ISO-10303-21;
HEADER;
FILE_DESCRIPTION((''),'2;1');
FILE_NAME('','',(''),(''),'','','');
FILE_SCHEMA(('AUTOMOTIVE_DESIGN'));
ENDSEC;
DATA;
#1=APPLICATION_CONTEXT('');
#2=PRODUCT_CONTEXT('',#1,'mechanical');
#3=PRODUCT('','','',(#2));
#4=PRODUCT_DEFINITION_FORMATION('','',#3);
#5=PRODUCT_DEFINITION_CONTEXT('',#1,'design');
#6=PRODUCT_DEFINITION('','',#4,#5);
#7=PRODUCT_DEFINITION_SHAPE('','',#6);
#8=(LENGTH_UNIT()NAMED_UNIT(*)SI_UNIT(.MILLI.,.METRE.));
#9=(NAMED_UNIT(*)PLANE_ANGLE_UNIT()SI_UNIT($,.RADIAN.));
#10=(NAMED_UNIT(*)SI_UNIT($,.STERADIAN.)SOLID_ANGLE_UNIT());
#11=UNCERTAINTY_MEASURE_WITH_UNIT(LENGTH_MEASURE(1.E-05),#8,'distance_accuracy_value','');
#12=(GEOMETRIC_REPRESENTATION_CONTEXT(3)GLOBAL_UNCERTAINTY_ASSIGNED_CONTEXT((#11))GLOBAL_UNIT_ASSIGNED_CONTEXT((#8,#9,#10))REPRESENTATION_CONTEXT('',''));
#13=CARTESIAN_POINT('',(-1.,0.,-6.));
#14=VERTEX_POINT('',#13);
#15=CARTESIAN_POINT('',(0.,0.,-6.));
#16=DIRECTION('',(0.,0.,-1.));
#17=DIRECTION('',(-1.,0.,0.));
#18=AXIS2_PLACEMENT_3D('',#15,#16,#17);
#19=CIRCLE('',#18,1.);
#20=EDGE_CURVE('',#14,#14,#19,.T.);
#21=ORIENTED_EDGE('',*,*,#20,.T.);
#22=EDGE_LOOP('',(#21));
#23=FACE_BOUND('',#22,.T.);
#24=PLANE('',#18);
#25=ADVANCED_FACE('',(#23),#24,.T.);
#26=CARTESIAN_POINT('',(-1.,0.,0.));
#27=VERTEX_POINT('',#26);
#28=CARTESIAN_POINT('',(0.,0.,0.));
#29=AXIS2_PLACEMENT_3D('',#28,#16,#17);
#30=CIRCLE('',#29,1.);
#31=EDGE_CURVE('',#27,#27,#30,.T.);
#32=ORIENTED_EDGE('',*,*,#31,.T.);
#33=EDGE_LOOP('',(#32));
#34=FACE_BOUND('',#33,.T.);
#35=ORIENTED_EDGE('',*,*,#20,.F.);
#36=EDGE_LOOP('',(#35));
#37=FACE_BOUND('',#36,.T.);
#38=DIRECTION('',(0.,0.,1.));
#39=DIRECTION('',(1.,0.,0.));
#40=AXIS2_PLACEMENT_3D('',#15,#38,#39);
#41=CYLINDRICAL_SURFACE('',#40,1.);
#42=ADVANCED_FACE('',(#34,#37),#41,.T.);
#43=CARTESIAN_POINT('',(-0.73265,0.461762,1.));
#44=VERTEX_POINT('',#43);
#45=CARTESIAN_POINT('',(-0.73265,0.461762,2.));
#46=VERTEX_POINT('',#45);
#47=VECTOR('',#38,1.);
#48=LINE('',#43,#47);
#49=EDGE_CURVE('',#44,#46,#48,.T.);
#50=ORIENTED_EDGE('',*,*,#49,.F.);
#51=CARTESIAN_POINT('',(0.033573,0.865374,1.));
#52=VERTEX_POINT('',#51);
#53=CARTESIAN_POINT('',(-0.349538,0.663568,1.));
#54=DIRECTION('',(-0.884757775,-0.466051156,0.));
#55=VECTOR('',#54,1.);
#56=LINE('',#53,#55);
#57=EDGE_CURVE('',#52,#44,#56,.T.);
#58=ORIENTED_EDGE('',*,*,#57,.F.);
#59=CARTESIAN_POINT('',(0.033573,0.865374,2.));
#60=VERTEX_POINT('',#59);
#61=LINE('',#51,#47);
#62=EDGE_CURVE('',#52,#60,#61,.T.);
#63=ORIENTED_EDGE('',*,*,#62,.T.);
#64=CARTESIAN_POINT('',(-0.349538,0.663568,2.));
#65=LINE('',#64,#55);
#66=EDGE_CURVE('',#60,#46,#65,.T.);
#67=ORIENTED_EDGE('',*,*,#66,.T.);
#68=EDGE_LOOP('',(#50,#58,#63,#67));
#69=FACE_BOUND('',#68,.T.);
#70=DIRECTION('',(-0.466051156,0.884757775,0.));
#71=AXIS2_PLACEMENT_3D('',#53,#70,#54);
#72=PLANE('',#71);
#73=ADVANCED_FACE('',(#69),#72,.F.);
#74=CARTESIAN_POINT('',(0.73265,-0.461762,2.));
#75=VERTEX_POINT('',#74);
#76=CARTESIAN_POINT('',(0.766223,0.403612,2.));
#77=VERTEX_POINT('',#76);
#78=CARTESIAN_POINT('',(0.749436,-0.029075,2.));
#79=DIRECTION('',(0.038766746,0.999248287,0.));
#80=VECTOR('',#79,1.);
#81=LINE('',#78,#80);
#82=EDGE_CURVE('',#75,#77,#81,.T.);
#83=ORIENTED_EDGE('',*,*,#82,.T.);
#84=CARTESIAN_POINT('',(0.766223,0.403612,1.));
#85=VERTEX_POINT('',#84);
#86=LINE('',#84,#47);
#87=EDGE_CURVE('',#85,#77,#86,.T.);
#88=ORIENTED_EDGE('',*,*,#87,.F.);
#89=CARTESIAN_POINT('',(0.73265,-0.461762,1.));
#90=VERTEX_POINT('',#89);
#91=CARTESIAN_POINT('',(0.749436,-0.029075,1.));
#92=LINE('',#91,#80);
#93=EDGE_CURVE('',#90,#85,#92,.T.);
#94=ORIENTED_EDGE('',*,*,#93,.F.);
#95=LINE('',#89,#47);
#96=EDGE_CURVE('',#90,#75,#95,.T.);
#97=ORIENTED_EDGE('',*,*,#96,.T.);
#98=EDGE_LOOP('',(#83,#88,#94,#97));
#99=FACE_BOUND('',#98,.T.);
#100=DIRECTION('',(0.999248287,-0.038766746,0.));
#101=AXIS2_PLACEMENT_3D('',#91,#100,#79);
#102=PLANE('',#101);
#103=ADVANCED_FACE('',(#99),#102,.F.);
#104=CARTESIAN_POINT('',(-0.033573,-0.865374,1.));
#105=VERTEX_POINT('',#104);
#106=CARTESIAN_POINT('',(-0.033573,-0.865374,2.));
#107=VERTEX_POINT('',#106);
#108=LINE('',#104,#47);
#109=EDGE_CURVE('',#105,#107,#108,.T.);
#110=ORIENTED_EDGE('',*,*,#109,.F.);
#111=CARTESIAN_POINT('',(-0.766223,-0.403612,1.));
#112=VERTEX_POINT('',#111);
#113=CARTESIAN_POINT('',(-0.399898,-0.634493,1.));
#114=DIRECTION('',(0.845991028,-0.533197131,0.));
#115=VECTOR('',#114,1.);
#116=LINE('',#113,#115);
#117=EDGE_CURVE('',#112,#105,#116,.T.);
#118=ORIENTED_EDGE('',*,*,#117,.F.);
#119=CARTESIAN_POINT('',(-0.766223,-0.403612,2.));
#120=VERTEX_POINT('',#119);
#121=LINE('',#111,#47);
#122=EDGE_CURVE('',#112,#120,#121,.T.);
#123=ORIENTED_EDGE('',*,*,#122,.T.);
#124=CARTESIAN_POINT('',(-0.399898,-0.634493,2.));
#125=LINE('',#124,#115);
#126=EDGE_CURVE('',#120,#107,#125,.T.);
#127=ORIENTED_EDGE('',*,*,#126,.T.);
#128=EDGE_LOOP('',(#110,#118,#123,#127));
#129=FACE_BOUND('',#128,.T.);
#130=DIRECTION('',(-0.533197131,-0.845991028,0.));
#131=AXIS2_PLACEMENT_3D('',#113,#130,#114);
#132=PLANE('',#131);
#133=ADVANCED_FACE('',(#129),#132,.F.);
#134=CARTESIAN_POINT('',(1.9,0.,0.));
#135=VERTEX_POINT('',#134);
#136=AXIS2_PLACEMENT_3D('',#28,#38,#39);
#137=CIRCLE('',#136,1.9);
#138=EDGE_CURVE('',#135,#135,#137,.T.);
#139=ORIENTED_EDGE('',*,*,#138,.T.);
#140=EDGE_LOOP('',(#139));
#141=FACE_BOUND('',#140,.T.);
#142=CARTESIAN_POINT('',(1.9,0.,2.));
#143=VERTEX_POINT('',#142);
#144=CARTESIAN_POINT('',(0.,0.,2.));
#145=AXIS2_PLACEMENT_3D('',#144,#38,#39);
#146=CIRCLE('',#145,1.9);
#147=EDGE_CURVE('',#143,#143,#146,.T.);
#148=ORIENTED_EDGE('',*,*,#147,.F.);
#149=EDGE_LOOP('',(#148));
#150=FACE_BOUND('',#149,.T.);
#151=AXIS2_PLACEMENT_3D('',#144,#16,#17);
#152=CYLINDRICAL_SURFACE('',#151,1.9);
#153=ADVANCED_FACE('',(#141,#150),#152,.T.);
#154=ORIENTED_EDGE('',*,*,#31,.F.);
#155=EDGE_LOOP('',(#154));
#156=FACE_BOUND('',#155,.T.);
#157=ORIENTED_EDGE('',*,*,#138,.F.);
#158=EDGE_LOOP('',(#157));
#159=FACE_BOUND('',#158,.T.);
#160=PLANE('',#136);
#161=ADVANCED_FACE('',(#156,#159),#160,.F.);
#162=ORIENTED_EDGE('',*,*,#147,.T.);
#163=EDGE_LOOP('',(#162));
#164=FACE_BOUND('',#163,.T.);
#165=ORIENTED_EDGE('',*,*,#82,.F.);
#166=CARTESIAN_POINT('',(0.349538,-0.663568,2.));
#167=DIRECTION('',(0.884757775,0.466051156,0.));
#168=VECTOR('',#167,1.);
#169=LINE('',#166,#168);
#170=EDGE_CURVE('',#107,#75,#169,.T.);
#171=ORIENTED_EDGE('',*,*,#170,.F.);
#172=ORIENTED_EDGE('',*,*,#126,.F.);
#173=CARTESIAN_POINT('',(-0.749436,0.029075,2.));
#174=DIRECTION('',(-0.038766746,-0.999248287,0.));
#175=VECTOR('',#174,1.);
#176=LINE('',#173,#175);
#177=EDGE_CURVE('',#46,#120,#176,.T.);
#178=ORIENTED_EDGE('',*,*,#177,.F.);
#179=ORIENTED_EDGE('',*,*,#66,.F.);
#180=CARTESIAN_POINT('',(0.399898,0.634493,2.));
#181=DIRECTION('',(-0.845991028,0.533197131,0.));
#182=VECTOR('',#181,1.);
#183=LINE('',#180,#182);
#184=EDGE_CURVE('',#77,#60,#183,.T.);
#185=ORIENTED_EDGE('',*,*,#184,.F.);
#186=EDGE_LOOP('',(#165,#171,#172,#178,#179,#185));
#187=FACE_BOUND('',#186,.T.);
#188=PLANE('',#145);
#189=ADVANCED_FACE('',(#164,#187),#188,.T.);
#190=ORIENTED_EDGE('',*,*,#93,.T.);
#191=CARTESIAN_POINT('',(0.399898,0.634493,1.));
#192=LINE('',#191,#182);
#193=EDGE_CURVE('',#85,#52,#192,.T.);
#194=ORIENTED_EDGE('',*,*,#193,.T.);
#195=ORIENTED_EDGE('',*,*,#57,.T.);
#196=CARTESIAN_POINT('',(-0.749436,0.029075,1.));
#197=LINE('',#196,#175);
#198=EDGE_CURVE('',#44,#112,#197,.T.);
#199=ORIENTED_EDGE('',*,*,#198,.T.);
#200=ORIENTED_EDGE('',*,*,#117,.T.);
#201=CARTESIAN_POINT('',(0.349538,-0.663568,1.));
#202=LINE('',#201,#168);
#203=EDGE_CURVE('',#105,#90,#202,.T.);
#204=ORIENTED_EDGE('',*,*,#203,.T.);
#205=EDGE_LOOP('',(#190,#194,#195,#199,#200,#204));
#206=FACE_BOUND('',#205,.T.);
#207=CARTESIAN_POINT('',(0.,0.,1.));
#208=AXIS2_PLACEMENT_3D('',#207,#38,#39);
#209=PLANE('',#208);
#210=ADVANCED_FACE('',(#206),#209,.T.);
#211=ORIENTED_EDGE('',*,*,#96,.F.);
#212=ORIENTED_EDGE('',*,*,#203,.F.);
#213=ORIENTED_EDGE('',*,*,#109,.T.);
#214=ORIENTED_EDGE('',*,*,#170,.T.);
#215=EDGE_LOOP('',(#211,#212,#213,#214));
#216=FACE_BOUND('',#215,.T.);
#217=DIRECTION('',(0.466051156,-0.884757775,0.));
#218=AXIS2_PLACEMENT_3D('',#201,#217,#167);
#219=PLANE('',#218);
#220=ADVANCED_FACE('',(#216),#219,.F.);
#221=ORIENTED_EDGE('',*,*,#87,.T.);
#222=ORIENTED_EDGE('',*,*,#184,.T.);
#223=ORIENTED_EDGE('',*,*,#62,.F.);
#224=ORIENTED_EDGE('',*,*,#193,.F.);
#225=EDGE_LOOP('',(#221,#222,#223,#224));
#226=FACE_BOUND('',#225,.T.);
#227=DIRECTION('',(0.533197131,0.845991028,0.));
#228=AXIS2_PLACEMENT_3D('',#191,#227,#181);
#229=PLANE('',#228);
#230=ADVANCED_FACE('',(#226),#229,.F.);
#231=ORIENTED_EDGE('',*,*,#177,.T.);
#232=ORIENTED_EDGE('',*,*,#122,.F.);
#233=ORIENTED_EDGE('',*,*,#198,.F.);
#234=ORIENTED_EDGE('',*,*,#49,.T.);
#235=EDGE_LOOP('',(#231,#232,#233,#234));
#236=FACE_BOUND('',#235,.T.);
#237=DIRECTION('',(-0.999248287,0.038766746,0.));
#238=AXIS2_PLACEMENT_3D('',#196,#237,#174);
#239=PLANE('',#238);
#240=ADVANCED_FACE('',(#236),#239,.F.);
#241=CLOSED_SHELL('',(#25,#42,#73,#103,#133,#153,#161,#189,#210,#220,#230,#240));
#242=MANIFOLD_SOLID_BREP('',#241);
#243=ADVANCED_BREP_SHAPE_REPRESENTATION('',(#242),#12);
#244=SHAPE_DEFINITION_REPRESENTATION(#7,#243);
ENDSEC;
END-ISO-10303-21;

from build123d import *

# Parameters (mm, degrees)
SKETCH_1_R          = 1.9
EXTRUDE_1_DEPTH     = 2
SKETCH_2_R          = 1
EXTRUDE_2_DEPTH     = 6
CUT_EXTRUDE_1_DEPTH = 1


with BuildPart() as part:
    # 草图1 → 凸台-拉伸1 (new body)
    with BuildSketch(Plane.XY):
        Circle(SKETCH_1_R)
    extrude(amount=EXTRUDE_1_DEPTH)

    # 草图2 → 凸台-拉伸2 (add)
    with BuildSketch(Plane(origin=(0, 0, 0), x_dir=(-1, 0, 0), z_dir=(0, 0, -1))):
        Circle(SKETCH_2_R)
    extrude(amount=EXTRUDE_2_DEPTH)

    # 草图3 → 切除-拉伸1 (cut)
    with BuildSketch(Plane.XY.offset(2)):
        Polygon((-0.766222709, -0.403612141), (-0.033572987, -0.865374401), (0.732649722, -0.461762261), (0.766222709, 0.403612141), (0.033572987, 0.865374401), (-0.732649722, 0.461762261), align=None)
    extrude(amount=-CUT_EXTRUDE_1_DEPTH, mode=Mode.SUBTRACT)


solid = part.part
